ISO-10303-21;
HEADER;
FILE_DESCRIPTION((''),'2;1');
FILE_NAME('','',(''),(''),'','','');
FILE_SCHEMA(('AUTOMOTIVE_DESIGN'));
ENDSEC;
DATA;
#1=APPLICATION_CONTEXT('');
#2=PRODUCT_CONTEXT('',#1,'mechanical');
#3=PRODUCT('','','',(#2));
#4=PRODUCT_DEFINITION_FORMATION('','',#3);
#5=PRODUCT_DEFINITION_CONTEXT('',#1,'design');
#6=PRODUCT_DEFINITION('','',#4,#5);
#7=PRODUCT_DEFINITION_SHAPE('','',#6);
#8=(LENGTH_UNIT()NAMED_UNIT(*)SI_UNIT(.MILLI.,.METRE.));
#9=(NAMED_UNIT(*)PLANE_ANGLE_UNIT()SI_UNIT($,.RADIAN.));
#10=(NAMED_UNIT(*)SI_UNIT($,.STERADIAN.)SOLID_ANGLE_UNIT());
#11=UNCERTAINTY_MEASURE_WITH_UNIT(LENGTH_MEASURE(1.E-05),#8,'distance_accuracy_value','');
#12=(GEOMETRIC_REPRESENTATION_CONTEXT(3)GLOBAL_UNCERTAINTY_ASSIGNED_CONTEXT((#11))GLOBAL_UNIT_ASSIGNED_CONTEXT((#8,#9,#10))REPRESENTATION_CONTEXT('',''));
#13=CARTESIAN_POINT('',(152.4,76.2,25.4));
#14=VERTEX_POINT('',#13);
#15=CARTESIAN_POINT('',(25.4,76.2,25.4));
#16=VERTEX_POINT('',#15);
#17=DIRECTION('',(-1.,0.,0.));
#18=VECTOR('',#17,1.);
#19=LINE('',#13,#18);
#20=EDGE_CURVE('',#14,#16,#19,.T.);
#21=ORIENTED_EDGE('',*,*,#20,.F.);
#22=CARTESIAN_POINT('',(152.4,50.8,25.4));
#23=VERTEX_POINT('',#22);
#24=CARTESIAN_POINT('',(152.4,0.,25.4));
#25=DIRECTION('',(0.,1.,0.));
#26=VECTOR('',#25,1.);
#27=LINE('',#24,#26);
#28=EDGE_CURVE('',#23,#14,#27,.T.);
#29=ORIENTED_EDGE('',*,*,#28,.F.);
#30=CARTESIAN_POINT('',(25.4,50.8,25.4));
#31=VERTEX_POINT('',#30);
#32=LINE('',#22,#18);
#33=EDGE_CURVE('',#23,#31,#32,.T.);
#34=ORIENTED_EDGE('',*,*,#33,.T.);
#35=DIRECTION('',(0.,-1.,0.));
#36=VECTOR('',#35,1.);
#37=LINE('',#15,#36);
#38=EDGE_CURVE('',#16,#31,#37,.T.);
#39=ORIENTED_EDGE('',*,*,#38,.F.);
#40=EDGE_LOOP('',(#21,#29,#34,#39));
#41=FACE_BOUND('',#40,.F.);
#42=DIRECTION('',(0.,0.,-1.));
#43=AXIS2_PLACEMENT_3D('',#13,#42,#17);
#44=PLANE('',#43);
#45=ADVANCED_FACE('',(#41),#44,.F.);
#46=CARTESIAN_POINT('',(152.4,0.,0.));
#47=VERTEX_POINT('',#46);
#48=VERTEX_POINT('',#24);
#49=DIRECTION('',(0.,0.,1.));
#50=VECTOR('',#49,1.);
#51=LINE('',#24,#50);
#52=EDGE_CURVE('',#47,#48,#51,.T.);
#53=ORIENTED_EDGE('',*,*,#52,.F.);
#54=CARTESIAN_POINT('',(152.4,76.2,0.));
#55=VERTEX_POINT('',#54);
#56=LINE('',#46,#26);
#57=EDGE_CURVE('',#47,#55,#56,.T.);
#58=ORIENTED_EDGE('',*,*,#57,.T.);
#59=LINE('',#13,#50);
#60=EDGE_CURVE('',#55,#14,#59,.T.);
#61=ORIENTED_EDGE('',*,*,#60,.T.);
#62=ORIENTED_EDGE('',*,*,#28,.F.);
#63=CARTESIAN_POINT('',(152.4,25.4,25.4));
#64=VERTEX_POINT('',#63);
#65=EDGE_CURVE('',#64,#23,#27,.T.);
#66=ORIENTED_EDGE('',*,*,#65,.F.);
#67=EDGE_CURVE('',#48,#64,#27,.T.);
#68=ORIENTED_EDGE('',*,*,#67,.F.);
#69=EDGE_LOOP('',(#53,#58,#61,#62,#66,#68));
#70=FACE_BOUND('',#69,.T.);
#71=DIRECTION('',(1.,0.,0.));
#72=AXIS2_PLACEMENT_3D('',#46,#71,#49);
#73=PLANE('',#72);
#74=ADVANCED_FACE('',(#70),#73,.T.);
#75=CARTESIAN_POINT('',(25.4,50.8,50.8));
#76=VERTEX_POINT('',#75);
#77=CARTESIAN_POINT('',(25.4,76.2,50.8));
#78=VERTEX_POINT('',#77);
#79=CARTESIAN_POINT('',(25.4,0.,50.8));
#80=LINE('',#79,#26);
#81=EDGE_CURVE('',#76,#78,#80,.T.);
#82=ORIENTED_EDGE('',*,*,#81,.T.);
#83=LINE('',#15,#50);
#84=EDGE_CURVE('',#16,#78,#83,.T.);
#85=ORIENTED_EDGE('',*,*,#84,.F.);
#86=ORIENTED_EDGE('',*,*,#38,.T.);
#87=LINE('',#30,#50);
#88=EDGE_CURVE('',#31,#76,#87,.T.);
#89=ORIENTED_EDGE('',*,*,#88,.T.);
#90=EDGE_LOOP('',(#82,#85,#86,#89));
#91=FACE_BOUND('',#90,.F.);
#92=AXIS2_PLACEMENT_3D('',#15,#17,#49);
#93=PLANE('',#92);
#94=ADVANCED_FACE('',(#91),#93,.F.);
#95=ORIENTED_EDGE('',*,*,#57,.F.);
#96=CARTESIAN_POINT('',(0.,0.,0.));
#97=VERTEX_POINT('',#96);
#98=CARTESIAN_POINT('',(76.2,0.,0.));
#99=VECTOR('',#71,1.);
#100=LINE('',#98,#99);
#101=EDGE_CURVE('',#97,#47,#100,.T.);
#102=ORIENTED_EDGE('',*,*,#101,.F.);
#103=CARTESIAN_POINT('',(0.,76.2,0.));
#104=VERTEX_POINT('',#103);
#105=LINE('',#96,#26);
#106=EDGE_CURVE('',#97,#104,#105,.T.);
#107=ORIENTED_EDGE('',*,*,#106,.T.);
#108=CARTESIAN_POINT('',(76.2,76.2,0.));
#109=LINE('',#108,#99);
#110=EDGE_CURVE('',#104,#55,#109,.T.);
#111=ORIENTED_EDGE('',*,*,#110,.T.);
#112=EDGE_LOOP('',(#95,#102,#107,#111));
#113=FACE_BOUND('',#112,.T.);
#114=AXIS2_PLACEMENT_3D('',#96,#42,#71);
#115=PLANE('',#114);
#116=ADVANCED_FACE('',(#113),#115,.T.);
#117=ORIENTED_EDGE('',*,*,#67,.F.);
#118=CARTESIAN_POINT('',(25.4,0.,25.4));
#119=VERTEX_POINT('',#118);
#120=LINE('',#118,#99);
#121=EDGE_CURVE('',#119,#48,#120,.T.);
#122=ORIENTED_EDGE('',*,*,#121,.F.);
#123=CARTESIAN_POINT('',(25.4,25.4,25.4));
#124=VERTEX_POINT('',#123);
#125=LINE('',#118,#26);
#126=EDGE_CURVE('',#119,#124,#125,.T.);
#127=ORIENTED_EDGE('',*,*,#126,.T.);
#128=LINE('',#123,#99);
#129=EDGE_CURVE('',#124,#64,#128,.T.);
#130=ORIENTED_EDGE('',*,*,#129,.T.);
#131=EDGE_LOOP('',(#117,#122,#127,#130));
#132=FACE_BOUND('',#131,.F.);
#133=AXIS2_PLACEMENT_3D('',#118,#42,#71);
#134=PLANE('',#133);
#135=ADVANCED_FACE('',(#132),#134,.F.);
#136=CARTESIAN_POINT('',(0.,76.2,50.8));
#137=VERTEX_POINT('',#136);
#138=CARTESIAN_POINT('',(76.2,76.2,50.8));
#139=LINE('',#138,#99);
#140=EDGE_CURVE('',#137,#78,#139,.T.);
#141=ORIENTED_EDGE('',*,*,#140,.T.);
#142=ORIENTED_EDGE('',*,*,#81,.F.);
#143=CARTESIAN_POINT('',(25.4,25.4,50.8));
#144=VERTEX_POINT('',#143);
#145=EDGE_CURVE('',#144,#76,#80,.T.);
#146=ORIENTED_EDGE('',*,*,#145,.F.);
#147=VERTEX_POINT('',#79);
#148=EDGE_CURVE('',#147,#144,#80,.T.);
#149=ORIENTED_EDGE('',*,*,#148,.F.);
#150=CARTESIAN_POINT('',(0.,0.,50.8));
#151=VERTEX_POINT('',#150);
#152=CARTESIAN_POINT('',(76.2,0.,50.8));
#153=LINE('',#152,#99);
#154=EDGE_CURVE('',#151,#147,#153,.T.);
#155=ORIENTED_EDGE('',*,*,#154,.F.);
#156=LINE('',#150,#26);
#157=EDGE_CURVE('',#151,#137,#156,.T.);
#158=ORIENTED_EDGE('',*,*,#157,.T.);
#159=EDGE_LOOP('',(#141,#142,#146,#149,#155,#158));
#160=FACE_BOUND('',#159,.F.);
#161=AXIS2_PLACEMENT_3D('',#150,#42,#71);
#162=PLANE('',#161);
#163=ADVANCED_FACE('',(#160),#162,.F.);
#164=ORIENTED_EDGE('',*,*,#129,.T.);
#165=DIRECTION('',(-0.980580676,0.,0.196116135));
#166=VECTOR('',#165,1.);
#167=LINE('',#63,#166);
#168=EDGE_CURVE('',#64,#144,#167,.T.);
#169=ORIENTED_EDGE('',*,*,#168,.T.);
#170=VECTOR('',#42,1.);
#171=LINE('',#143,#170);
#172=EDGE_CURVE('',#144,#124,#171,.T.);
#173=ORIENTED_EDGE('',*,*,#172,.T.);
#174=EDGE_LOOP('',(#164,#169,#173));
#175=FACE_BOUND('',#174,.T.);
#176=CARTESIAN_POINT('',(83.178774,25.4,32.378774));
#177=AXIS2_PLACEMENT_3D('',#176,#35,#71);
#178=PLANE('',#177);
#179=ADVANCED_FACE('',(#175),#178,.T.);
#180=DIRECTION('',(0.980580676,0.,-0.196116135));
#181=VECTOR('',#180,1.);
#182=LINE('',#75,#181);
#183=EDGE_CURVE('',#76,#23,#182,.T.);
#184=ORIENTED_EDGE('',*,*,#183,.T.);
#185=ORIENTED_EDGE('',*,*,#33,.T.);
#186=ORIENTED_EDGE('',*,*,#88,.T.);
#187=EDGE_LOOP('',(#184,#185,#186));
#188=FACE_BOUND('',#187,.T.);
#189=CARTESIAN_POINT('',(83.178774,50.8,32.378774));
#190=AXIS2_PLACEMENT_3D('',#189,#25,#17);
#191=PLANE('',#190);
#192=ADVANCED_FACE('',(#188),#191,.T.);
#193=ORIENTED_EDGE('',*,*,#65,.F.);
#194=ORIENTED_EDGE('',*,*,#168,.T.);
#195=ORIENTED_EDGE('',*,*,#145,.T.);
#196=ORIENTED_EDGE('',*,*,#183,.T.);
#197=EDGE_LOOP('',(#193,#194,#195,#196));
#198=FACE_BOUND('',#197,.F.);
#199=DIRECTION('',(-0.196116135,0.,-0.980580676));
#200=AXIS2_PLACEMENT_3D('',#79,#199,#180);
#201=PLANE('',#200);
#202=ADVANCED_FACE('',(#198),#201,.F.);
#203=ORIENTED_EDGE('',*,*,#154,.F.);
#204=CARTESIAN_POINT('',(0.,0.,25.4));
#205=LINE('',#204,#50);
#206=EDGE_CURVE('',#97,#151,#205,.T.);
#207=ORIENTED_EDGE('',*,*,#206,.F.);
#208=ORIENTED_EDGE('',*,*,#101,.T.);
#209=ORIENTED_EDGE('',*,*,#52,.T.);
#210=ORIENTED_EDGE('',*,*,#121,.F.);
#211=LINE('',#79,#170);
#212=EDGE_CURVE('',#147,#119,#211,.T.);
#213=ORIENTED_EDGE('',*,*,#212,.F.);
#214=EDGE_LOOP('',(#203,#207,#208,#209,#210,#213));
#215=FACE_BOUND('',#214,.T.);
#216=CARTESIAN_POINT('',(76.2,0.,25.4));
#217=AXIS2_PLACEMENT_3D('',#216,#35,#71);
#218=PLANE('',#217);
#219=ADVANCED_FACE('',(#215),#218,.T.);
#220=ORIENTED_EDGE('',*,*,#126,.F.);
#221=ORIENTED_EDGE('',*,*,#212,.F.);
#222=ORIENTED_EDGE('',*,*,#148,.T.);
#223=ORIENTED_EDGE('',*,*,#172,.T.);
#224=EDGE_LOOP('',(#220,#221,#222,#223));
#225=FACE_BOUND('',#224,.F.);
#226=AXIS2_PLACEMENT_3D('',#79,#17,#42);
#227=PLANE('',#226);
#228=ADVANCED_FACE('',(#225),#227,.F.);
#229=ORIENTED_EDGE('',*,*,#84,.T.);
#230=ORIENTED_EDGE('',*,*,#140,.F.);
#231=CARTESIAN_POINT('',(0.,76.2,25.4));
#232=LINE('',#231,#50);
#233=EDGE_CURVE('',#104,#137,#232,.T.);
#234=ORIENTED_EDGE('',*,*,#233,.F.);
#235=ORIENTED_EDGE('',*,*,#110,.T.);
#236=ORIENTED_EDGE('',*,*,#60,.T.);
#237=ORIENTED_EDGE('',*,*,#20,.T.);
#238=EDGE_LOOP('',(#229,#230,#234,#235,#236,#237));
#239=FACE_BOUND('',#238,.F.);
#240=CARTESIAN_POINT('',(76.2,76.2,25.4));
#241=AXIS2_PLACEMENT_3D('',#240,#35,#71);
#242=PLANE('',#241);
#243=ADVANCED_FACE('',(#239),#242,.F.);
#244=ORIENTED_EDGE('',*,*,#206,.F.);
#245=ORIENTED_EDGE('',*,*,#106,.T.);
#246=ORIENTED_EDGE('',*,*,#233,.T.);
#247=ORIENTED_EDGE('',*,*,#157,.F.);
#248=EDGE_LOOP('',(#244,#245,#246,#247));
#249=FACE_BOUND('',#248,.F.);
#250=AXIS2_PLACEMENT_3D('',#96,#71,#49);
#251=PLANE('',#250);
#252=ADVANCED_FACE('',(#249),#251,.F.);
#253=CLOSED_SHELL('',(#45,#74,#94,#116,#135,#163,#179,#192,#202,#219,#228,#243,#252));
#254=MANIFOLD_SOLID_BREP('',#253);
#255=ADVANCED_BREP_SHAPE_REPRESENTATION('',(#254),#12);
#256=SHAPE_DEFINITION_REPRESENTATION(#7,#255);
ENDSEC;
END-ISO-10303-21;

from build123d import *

# Parameters (mm, degrees)
F0_W     = 152.4
F0_H     = 50.8
F1_DEPTH = 76.2
F3_DEPTH = 76.2
F4_DEPTH = 25.4
F6_DEPTH = 25.4


with BuildPart() as f1:
    # F0 (on Front) → F1 (new body)
    with BuildSketch(Plane.XZ):
        with Locations((76.2, 25.4)):
            Rectangle(F0_W, F0_H)
    extrude(amount=-F1_DEPTH)

    # F2 (on face) → F3 (cut)
    with BuildSketch(Plane.XZ):
        Polygon((152.4, 50.8), (25.4, 50.8), (152.4, 25.4), align=None)
    extrude(amount=-F3_DEPTH, mode=Mode.SUBTRACT)

    # F2 (on face) → F4 (cut)
    with BuildSketch(Plane.XZ):
        Polygon((152.4, 25.4), (25.4, 50.8), (25.4, 25.4), align=None)
    extrude(amount=-F4_DEPTH, mode=Mode.SUBTRACT)

    # F5 (on face) → F6 (cut)
    with BuildSketch(Plane(origin=(0, 76.2, 0), x_dir=(-1, 0, 0), z_dir=(0, 1, 0))):
        Polygon((-25.4, 25.4), (-25.4, 50.8), (-152.4, 25.4), align=None)
    extrude(amount=-F6_DEPTH, mode=Mode.SUBTRACT)


solid = f1.part
